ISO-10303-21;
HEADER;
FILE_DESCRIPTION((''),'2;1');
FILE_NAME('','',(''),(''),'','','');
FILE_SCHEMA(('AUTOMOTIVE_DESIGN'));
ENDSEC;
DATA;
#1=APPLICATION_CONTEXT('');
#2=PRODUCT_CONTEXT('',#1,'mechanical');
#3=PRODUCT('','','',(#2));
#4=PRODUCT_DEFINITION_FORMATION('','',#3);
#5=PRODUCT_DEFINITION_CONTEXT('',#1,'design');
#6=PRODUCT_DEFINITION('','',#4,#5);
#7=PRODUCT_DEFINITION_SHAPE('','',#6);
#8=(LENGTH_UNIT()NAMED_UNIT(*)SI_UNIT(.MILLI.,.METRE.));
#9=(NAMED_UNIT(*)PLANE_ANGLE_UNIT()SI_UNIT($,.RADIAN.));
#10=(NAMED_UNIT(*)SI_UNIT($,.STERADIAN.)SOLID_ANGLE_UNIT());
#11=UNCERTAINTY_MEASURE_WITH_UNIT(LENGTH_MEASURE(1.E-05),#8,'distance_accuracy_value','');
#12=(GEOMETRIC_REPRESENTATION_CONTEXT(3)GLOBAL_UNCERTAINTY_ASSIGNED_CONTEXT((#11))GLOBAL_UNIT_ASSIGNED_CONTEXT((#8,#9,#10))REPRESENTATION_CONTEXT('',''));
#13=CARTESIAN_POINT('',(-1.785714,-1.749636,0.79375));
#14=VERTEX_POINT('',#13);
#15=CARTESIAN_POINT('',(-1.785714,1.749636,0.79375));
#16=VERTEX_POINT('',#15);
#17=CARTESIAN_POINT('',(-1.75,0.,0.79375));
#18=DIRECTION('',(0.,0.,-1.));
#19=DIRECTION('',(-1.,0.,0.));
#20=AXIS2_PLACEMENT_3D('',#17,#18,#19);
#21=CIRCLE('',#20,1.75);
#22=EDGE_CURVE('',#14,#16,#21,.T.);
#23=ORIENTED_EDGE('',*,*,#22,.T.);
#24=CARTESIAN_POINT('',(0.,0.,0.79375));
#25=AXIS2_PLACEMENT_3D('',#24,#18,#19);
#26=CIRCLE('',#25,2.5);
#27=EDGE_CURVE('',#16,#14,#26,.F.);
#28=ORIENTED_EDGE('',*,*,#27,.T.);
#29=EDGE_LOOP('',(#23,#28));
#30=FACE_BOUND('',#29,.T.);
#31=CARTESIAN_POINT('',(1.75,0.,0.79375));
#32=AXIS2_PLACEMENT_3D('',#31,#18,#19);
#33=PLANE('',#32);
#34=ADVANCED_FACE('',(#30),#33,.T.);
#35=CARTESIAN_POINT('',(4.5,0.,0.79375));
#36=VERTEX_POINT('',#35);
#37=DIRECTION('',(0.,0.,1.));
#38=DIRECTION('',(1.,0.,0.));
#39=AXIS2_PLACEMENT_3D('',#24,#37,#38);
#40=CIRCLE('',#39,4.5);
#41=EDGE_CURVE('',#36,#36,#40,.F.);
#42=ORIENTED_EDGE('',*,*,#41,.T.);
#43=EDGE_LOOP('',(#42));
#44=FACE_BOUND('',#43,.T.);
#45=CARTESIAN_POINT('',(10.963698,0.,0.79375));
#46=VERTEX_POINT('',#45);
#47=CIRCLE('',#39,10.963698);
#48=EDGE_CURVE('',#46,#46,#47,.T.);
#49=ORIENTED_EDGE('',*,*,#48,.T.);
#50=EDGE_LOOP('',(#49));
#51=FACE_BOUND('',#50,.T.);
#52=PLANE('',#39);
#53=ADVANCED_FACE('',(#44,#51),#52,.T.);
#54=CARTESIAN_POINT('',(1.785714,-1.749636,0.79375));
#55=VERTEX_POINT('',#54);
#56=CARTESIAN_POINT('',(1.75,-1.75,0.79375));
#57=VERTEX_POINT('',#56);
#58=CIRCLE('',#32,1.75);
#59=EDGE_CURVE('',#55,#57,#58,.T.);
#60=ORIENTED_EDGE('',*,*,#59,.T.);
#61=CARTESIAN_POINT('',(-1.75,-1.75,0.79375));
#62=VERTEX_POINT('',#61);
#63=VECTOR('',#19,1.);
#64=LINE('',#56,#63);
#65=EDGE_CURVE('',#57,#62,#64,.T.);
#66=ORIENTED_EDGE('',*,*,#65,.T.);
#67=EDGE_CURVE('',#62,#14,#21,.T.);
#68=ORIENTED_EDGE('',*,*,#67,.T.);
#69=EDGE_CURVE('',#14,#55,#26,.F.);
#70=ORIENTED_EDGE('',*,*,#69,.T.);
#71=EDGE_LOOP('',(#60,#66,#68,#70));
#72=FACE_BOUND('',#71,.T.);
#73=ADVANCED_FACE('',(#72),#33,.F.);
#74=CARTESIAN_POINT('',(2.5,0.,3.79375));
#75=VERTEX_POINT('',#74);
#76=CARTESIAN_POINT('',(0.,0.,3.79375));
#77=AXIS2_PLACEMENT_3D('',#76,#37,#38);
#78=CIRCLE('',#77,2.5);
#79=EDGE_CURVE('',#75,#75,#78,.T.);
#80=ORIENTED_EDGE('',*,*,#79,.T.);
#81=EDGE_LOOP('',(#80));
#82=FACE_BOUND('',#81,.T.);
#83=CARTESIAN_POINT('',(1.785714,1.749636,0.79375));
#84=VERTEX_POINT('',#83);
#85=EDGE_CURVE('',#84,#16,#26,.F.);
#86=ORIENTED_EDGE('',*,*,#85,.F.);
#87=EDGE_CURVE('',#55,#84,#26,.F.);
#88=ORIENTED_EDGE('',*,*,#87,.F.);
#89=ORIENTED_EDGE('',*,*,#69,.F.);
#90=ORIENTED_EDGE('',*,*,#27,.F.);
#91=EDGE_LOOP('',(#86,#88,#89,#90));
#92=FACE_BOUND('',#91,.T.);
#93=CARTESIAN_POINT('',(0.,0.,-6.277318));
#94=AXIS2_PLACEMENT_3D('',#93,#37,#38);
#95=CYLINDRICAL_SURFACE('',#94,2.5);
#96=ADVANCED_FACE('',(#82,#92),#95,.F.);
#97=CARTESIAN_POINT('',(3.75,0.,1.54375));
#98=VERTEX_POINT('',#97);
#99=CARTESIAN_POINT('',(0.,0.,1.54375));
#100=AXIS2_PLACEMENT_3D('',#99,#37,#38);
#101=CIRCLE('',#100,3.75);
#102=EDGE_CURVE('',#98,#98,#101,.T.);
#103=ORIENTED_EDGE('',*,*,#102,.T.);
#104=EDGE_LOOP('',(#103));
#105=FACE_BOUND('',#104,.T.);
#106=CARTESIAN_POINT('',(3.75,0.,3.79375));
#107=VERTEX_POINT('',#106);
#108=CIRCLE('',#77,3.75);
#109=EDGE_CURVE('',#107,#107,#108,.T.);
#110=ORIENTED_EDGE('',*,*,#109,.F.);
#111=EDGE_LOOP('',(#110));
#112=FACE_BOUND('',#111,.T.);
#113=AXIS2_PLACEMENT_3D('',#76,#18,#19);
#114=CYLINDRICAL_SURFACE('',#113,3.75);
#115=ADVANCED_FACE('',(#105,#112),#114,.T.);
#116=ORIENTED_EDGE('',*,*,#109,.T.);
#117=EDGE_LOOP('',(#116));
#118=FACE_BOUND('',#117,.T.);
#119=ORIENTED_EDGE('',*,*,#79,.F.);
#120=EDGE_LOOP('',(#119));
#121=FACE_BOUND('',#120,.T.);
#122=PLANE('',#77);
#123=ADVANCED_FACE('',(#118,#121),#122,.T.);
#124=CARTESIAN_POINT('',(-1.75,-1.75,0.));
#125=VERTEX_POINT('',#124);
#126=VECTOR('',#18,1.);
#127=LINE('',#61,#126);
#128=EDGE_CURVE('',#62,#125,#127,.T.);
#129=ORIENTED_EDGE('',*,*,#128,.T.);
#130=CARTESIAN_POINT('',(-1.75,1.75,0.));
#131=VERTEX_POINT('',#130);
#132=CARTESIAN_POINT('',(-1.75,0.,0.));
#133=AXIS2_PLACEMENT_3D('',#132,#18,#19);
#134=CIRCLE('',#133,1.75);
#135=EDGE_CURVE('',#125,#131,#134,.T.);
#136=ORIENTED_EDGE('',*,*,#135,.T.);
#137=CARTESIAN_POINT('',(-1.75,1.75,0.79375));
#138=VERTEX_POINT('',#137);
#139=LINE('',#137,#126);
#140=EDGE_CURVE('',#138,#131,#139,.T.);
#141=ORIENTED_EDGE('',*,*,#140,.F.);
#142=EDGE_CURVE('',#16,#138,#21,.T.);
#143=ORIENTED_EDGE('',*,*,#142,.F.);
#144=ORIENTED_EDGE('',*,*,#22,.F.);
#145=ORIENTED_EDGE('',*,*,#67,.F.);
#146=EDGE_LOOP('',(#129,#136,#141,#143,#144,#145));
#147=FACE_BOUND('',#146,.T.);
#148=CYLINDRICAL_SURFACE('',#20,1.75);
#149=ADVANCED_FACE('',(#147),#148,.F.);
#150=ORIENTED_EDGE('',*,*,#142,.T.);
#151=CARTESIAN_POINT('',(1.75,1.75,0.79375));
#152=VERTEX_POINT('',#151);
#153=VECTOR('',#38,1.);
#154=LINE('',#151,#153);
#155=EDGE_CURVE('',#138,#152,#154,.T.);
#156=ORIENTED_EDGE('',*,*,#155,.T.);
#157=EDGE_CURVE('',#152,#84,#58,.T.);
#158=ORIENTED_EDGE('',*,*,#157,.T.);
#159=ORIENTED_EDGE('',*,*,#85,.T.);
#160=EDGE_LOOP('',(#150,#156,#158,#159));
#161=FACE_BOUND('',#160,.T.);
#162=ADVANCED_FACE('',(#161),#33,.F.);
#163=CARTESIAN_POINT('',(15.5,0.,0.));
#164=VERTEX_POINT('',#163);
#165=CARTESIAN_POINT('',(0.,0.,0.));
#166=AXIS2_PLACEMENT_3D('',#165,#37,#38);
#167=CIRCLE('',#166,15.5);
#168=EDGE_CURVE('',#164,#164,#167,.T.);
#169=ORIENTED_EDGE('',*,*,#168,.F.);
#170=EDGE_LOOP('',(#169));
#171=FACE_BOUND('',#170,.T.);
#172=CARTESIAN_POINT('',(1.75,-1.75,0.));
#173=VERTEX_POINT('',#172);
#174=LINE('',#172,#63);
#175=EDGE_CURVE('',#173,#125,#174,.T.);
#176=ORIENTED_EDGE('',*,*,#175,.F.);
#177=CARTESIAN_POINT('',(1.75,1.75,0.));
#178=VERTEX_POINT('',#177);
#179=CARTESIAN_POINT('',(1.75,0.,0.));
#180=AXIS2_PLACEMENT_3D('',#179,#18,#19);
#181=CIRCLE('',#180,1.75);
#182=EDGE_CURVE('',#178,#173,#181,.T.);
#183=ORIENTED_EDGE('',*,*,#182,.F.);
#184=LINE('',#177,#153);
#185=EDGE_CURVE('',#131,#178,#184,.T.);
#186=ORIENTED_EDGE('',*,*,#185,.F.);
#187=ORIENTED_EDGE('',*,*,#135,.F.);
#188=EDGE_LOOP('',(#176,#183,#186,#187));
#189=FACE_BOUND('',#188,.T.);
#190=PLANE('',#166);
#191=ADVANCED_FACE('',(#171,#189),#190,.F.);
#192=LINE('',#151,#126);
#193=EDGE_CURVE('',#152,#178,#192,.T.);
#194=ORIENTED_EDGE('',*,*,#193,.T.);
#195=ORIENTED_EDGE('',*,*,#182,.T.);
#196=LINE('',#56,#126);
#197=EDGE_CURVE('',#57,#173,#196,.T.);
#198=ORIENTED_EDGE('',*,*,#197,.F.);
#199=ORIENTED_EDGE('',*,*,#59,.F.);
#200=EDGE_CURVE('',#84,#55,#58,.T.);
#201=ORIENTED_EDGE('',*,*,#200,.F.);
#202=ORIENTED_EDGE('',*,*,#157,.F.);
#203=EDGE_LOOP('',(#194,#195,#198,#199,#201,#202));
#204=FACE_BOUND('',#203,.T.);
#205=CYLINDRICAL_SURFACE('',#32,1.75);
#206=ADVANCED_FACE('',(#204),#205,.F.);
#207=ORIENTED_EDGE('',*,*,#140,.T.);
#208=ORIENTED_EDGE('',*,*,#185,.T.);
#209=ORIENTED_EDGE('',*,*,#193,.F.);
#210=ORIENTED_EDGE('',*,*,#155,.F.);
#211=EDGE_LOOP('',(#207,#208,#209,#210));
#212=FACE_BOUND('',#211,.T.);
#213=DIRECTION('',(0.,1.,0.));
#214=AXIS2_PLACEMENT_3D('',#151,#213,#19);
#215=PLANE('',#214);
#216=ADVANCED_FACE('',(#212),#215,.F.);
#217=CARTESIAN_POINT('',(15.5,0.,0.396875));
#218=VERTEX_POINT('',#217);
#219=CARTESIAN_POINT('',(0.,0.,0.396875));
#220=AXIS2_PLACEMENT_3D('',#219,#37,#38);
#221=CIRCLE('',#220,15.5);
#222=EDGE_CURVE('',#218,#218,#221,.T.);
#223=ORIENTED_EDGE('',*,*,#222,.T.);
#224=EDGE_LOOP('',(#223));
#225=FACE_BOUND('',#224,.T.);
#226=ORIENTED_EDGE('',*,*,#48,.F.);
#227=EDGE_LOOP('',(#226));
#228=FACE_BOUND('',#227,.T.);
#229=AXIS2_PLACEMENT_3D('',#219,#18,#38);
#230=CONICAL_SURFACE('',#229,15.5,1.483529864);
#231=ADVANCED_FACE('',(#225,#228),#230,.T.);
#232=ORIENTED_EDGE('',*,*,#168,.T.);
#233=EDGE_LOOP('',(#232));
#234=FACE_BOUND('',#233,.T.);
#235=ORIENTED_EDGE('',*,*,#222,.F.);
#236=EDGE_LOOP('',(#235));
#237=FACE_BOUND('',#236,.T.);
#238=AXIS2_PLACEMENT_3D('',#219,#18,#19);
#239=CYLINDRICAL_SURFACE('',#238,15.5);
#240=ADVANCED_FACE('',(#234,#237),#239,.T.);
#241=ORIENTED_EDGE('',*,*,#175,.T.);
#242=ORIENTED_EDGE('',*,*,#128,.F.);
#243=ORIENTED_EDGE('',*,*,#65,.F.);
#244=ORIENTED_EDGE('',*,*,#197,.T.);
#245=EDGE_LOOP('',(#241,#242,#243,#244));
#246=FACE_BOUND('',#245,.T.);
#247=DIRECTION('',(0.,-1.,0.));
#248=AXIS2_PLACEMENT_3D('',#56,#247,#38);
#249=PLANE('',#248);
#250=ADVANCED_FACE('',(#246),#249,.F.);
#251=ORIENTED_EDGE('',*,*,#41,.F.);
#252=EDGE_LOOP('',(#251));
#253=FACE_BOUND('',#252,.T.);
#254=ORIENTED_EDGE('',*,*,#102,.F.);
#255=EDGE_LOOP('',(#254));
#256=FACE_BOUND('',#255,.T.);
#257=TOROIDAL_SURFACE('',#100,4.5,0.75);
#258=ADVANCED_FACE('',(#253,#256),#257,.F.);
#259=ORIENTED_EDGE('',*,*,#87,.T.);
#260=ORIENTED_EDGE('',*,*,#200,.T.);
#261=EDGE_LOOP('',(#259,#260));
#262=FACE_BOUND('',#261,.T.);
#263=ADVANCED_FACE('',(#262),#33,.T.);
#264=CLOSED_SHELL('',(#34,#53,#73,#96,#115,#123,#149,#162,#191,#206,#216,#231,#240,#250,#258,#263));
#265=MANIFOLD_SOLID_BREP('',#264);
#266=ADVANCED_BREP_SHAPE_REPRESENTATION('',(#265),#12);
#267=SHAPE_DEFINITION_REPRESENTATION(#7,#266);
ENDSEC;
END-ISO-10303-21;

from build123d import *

# Parameters (mm, degrees)
SKETCH1_R           = 15.5
BOSS_EXTRUDE1_DEPTH = 0.396875
SKETCH2_R           = 15.5
BOSS_EXTRUDE2_DEPTH = 0.396875
BOSS_EXTRUDE2_TAPER = 85
SKETCH3_R           = 3.75
BOSS_EXTRUDE3_DEPTH = 3
FILLET1_R           = 0.75
CUT_EXTRUDE1_DEPTH  = 0.79375
SKETCH5_R           = 2.5
CUT_EXTRUDE2_DEPTH  = 3


with BuildPart() as part:
    # Sketch1 → Boss-Extrude1 (new body)
    with BuildSketch(Plane.XY):
        Circle(SKETCH1_R)
    extrude(amount=BOSS_EXTRUDE1_DEPTH)

    # Sketch2 → Boss-Extrude2 (add)
    with BuildSketch(Plane.XY.offset(0.396875)):
        Circle(SKETCH2_R)
    extrude(amount=BOSS_EXTRUDE2_DEPTH, taper=BOSS_EXTRUDE2_TAPER)

    # Sketch3 → Boss-Extrude3 (add)
    with BuildSketch(Plane.XY.offset(0.79375)):
        Circle(SKETCH3_R)
    extrude(amount=BOSS_EXTRUDE3_DEPTH)

    # Fillet1
    fillet1_edges = [part.edges().sort_by_distance(p)[0] for p in [
        (-3.75, 0, 0.79375),
    ]]
    fillet(fillet1_edges, radius=FILLET1_R)

    # Sketch4 → Cut-Extrude1 (cut)
    with BuildSketch(Plane(origin=(0, 0, 0), x_dir=(-1, 0, 0), z_dir=(0, 0, -1))):
        with BuildLine():
            Line((-1.75, 1.75), (1.75, 1.75))
            ThreePointArc((1.75, 1.75), (3.5, 0), (1.75, -1.75))
            Line((1.75, -1.75), (-1.75, -1.75))
            ThreePointArc((-1.75, -1.75), (-3.5, 0), (-1.75, 1.75))
        make_face()
    extrude(amount=-CUT_EXTRUDE1_DEPTH, mode=Mode.SUBTRACT)

    # Sketch5 → Cut-Extrude2 (cut)
    with BuildSketch(Plane.XY.offset(3.79375)):
        Circle(SKETCH5_R)
    extrude(amount=-CUT_EXTRUDE2_DEPTH, mode=Mode.SUBTRACT)


solid = part.part
